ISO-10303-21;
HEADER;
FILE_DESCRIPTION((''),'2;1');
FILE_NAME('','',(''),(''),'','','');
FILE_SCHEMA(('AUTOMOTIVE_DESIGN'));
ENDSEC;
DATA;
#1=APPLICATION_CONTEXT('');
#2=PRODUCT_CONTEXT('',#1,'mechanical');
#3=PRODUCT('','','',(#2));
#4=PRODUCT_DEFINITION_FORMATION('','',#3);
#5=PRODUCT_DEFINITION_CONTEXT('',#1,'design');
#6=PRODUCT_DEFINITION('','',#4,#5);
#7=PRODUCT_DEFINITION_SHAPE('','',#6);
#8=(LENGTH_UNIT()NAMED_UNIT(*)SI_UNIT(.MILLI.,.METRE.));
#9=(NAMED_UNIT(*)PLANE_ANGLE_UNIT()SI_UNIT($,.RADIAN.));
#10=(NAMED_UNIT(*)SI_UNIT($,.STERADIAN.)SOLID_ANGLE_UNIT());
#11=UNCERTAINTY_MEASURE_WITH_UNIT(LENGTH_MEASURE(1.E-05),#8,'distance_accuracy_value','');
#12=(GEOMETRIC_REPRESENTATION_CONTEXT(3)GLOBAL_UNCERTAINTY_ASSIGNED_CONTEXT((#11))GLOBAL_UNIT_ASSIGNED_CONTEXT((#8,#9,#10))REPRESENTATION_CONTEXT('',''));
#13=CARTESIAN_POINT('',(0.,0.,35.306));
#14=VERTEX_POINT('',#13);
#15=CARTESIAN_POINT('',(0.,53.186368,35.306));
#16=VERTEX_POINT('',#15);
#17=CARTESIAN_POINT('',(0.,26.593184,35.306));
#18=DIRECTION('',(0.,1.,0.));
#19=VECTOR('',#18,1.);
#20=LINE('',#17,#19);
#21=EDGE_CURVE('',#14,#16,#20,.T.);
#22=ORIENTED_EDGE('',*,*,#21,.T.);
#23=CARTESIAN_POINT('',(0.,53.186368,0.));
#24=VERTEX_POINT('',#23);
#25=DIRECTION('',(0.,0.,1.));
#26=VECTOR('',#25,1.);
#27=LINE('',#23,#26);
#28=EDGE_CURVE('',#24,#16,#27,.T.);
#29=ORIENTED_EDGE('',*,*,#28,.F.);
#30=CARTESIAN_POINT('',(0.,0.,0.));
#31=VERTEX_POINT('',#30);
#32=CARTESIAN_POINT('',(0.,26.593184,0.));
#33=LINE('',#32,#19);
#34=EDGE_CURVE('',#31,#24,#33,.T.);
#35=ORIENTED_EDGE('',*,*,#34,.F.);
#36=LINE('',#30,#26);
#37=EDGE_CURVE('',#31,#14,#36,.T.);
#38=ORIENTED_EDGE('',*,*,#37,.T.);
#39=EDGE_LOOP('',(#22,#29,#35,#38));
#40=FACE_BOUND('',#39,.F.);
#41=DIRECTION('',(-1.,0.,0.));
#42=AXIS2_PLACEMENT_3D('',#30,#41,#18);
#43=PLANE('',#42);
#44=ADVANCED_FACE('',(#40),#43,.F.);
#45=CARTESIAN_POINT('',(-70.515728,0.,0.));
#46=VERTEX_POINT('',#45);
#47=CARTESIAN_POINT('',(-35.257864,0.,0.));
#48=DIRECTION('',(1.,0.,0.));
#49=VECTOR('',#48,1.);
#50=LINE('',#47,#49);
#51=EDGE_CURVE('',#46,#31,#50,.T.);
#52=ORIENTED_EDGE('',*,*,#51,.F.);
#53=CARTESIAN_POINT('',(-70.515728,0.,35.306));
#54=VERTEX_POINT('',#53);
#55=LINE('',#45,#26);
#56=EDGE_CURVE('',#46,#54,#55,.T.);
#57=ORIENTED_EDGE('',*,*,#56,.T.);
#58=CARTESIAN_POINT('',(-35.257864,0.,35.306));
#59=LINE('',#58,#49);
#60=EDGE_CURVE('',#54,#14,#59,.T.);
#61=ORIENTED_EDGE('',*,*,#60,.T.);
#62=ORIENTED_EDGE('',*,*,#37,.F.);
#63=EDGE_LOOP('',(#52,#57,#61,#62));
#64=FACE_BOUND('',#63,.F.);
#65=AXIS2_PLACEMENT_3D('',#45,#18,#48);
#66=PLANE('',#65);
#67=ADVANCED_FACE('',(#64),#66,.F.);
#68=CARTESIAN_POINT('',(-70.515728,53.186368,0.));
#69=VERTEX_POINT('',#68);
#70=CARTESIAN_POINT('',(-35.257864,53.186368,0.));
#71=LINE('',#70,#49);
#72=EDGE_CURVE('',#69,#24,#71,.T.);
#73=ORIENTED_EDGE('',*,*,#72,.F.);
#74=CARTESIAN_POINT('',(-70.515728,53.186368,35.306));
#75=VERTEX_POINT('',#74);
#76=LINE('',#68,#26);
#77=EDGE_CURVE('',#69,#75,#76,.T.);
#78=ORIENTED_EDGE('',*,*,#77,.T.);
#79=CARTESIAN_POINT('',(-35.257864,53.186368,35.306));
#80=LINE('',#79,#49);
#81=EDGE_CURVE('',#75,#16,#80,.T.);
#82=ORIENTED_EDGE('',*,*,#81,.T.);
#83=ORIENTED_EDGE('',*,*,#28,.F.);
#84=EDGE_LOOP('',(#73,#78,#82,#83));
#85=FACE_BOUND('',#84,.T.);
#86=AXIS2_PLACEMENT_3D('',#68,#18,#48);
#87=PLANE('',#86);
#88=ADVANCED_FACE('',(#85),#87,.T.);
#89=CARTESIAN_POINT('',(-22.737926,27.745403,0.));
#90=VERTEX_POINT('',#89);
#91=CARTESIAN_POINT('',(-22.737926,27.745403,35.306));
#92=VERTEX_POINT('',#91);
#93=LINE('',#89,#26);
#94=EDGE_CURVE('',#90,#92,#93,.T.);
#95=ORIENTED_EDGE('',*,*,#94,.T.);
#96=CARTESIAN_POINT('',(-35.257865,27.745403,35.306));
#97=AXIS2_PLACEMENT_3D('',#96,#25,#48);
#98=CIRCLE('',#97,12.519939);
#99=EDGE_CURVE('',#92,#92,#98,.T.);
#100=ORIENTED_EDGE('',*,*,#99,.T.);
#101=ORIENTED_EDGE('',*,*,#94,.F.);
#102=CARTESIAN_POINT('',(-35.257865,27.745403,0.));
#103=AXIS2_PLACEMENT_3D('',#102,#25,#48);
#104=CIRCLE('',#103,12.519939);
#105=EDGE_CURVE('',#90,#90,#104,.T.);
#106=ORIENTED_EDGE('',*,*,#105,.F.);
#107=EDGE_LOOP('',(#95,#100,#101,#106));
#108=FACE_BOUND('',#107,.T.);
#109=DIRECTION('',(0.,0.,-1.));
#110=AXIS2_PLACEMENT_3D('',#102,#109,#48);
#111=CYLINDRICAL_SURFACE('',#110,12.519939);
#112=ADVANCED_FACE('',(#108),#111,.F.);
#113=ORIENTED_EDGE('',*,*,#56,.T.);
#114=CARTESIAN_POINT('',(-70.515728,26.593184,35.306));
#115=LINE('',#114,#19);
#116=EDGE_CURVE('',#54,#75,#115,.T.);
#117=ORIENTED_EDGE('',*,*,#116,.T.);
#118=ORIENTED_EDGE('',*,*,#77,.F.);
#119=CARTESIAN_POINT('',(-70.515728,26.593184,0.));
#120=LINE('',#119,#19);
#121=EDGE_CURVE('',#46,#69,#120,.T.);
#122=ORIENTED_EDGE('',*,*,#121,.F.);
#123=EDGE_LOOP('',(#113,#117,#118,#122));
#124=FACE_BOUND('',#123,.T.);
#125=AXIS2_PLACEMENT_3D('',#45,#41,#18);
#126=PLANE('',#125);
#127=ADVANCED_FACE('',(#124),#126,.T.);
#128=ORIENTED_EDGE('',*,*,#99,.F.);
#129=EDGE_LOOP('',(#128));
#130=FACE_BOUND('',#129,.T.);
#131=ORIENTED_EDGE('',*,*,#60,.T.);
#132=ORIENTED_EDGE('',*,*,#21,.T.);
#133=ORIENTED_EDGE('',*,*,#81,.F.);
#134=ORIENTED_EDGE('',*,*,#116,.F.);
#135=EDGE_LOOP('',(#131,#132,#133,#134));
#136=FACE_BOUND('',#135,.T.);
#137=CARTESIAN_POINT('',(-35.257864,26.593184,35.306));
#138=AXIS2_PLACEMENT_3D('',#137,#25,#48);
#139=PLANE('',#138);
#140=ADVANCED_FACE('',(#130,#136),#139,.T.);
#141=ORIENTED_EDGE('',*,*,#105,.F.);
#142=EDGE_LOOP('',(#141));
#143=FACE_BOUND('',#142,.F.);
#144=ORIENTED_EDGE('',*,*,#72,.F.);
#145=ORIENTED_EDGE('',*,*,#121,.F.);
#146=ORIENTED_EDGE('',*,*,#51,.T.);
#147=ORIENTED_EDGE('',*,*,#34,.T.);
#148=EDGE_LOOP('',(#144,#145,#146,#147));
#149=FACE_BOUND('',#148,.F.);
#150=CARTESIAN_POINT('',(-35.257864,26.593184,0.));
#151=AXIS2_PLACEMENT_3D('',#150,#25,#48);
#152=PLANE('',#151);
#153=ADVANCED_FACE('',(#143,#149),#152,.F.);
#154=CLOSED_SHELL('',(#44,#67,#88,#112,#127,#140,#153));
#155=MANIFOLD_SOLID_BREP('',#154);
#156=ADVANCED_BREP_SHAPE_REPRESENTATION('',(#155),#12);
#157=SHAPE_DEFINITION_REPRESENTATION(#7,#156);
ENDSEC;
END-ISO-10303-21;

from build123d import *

# Parameters (mm, degrees)
F0_W     = 70.515729
F0_H     = 53.186368
F0_R     = 12.519939
F1_DEPTH = 35.306


with BuildPart() as f1:
    # F0 (on Top) → F1 (new body)
    with BuildSketch(Plane.XY):
        with Locations((-35.257864, 26.593184)):
            Rectangle(F0_W, F0_H)
        with Locations((-35.257865, 27.745403)):
            Circle(F0_R, mode=Mode.SUBTRACT)
    extrude(amount=F1_DEPTH)


solid = f1.part
